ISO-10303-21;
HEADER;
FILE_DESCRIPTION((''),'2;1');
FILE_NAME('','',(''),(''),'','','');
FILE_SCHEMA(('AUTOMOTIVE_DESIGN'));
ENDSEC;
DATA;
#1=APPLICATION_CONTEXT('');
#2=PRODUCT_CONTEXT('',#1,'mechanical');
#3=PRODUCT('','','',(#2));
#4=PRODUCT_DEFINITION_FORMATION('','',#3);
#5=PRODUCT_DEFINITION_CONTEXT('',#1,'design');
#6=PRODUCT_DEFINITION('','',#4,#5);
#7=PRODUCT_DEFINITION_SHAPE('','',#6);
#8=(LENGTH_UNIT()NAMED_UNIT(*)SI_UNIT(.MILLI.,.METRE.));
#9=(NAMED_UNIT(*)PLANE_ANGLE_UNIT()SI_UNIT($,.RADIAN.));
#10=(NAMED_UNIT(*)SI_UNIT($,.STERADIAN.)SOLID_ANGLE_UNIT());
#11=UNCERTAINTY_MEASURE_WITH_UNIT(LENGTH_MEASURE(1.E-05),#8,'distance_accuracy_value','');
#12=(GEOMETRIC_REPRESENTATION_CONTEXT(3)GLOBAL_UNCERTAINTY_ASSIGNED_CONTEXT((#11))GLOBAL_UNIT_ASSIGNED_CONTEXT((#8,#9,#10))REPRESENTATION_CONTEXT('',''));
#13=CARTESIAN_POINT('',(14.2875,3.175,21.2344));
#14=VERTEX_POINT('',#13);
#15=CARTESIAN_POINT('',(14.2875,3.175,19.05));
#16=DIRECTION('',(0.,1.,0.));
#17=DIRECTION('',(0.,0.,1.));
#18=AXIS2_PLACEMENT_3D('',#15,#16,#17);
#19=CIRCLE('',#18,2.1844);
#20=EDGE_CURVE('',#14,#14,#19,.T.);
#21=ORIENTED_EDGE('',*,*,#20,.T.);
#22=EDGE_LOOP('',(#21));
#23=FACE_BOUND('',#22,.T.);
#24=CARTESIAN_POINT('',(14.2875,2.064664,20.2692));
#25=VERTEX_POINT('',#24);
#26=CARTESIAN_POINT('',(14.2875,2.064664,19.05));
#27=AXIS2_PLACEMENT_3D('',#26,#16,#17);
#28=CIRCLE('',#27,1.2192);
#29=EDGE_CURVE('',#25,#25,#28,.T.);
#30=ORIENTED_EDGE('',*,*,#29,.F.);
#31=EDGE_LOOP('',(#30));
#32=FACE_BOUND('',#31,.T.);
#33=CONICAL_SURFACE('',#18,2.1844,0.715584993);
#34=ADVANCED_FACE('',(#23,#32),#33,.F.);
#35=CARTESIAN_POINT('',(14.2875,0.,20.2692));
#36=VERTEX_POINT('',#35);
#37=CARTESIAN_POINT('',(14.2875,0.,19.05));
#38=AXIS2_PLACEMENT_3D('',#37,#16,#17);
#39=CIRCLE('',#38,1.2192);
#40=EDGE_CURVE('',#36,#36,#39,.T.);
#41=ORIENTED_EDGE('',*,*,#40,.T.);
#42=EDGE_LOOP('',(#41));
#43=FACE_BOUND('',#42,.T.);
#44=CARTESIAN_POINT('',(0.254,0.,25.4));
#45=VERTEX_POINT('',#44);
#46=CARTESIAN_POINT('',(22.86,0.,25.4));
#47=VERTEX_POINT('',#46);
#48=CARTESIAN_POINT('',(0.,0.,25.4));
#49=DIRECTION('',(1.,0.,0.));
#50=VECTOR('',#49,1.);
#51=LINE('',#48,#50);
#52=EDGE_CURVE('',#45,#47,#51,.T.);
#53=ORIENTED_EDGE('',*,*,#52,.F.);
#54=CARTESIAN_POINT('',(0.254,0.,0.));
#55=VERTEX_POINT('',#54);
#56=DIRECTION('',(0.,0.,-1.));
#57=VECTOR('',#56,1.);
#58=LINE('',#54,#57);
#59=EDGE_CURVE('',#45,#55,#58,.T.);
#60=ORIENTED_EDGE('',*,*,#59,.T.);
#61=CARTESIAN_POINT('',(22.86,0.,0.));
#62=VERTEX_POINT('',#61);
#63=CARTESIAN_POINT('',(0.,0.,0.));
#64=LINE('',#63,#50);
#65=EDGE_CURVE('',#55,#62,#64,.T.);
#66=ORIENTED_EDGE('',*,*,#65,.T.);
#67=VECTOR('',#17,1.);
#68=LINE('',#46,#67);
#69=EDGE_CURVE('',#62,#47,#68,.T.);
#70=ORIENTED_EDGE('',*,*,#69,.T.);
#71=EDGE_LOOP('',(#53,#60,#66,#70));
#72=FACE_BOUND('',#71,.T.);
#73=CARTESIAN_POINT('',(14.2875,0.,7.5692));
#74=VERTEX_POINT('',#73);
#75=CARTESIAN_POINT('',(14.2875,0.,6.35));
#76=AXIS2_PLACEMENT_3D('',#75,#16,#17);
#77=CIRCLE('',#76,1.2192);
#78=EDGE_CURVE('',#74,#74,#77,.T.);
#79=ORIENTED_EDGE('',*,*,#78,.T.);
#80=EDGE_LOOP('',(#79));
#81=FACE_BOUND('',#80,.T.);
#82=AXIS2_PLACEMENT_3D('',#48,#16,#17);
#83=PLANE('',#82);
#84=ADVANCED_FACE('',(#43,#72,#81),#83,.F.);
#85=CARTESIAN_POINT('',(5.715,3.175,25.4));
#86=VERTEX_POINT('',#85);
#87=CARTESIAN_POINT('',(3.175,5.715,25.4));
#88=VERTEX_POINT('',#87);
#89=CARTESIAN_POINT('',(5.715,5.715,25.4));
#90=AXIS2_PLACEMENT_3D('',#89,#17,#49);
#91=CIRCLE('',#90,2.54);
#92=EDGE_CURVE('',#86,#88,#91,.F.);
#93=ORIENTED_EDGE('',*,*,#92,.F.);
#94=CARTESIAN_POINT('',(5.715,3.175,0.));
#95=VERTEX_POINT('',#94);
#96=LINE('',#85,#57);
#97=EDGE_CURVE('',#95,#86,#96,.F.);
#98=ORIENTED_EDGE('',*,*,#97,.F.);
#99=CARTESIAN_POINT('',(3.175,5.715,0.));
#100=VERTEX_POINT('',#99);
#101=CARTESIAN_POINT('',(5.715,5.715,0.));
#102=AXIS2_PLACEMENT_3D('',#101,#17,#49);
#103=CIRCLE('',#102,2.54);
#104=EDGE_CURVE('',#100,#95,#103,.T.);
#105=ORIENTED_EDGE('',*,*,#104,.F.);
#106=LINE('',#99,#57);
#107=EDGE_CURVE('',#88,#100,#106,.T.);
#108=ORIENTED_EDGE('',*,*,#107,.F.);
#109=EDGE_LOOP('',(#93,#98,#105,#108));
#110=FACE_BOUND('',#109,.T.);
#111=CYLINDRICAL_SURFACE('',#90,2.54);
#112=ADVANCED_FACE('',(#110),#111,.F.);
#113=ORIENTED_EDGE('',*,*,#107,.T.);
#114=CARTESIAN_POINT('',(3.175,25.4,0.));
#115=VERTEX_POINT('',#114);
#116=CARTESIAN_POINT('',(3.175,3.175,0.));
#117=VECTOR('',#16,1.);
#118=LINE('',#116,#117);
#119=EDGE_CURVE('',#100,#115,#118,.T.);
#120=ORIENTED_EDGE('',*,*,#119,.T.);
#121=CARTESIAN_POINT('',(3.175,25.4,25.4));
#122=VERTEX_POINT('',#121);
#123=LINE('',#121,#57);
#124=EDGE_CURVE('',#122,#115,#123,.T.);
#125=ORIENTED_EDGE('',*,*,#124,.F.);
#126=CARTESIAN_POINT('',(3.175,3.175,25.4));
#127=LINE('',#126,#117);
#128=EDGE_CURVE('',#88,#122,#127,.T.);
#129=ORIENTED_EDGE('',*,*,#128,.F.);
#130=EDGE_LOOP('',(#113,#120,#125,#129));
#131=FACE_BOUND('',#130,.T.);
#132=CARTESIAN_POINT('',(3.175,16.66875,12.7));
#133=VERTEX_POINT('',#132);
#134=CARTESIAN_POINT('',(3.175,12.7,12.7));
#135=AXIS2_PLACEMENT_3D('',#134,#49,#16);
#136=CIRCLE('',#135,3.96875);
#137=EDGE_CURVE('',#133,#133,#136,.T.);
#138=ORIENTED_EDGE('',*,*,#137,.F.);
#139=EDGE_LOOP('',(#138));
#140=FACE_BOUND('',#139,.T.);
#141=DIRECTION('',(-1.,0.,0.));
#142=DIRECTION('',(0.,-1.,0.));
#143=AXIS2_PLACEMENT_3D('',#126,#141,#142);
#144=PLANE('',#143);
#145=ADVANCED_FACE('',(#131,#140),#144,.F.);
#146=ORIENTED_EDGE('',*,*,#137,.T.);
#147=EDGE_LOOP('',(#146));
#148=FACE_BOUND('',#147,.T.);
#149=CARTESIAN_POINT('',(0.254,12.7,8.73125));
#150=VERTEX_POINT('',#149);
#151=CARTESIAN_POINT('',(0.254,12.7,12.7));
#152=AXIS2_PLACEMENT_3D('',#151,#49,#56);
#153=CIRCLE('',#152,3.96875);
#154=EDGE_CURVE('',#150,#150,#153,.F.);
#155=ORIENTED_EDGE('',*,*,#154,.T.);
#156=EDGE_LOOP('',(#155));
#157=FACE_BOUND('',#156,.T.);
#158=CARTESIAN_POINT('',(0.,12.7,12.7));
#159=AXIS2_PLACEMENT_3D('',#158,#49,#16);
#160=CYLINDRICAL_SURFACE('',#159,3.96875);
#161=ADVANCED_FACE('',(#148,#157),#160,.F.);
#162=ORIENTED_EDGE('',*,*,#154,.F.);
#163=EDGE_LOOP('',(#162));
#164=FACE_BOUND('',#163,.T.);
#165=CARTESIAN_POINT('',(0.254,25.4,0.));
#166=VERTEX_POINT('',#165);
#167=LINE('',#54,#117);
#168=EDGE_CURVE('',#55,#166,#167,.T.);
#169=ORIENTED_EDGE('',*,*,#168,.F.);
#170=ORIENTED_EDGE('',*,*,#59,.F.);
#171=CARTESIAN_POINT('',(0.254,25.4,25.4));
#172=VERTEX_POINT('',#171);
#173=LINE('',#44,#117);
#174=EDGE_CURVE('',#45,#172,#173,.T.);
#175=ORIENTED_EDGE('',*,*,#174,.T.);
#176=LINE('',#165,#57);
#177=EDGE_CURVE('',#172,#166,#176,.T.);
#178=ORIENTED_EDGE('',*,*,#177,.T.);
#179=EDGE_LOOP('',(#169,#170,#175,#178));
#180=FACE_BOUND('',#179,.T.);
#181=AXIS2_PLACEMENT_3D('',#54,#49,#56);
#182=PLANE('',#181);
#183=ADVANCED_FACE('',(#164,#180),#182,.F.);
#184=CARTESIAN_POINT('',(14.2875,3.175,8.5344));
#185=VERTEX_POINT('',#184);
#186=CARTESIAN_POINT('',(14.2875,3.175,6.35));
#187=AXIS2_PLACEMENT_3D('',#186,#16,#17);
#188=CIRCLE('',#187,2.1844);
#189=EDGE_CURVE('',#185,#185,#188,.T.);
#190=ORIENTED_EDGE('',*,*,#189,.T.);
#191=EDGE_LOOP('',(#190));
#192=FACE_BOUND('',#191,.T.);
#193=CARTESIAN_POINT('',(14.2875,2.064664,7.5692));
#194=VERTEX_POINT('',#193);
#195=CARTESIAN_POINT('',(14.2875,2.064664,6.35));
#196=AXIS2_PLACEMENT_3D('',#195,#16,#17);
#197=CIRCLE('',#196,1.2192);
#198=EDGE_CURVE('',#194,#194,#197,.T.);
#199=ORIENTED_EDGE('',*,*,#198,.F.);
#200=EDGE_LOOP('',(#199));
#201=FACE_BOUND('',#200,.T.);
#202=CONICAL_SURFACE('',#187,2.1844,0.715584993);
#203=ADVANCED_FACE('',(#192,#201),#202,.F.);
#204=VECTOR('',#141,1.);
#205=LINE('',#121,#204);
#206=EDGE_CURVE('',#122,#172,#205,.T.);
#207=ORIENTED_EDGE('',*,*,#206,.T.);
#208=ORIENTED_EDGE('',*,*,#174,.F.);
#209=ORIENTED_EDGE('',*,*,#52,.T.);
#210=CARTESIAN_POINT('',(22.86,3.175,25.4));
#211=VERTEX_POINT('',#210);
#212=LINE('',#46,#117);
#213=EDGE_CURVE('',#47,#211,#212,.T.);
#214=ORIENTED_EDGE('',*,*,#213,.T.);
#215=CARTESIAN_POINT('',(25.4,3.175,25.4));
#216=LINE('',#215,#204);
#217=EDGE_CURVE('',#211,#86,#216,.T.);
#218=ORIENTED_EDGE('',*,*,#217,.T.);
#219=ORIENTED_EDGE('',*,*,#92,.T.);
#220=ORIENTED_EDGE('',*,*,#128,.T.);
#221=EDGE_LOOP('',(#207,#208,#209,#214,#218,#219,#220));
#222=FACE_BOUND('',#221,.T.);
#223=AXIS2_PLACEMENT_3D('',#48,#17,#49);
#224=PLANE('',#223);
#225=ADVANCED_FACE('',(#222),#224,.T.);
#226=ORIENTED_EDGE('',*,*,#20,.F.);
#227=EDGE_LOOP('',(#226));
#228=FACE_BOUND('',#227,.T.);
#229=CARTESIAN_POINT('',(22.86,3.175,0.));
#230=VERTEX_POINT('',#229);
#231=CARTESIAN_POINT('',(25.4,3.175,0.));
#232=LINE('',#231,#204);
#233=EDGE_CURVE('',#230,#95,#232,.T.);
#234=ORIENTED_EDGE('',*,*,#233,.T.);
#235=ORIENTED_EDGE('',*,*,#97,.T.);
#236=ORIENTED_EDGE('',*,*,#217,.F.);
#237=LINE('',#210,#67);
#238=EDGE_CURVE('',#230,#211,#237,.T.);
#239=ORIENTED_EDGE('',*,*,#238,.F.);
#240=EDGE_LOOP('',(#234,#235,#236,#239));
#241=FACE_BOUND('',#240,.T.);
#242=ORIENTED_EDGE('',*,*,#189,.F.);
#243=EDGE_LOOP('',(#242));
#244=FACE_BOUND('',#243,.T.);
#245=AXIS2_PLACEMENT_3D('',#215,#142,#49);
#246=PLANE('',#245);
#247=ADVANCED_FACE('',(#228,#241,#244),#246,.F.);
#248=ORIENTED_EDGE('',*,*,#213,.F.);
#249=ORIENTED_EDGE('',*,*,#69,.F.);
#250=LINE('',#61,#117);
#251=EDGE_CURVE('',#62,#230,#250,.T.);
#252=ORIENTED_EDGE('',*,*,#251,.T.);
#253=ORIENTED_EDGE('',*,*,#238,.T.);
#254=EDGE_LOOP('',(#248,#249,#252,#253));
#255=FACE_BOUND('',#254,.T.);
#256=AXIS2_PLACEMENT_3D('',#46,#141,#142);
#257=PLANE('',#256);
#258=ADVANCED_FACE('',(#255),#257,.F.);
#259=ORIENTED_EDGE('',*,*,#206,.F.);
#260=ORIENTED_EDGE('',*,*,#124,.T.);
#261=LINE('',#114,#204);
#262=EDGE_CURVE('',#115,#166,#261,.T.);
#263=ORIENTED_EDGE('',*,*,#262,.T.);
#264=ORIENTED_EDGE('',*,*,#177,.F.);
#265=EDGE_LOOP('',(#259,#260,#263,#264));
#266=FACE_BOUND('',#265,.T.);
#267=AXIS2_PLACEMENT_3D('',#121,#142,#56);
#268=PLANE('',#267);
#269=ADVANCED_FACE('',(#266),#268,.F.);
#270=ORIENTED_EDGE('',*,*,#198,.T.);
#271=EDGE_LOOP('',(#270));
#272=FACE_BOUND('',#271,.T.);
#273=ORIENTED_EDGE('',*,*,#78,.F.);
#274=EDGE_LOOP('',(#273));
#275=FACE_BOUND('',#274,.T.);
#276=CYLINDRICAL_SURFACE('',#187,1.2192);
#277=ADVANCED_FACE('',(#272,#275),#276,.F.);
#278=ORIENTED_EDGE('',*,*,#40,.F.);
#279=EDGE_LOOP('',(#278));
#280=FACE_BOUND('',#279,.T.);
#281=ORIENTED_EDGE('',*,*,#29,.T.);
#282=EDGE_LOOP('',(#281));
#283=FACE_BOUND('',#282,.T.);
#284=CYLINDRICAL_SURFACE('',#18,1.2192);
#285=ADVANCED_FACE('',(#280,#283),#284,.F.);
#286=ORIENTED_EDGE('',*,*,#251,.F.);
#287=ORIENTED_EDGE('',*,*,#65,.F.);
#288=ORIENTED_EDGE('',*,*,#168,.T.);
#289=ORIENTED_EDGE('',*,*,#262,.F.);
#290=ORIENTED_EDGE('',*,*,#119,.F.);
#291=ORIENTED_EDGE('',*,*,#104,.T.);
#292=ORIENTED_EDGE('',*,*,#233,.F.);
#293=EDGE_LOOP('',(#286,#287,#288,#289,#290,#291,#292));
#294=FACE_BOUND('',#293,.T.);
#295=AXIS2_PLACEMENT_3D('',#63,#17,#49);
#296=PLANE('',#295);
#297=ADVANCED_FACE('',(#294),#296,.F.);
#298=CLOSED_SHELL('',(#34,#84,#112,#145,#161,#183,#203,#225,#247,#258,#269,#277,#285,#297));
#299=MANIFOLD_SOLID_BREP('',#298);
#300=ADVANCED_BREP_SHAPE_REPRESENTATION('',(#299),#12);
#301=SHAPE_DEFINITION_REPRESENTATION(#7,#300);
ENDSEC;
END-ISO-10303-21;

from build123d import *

# Parameters (mm, degrees)
BOSS_EXTRUDE1_DEPTH                            = 25.4
SKETCH5_R                                      = 3.96875
CUT_EXTRUDE2_DEPTH                             = 4.175
CSK_FOR_2_FLAT_HEAD_MACHINE_SCREW1_D           = 2.4384
CSK_FOR_2_FLAT_HEAD_MACHINE_SCREW1_DEPTH       = 3.175
CSK_FOR_2_FLAT_HEAD_MACHINE_SCREW1_CSINK_D     = 4.3688
CSK_FOR_2_FLAT_HEAD_MACHINE_SCREW1_CSINK_ANGLE = 82
SKETCH9_W                                      = 2.54
SKETCH9_H                                      = 25.4
CUT_EXTRUDE3_DEPTH                             = 4.175
FILLET1_R                                      = 2.54
SKETCH10_W                                     = 0.254
SKETCH10_H                                     = 25.4
CUT_EXTRUDE4_DEPTH                             = 26.4


with BuildPart() as part:
    # Sketch1 → Boss-Extrude1 (new body)
    with BuildSketch(Plane.XY):
        Polygon((0, 0), (25.4, 0), (25.4, 3.175), (3.175, 3.175), (3.175, 25.4), (0, 25.4), align=None)
    extrude(amount=BOSS_EXTRUDE1_DEPTH)

    # Sketch5 → Cut-Extrude2 (cut, through all)
    with BuildSketch(Plane(origin=(3.175, 0, 0), x_dir=(0, 0, -1), z_dir=(1, 0, 0))):
        with Locations((-12.7, 12.7)):
            Circle(SKETCH5_R)
    extrude(amount=-CUT_EXTRUDE2_DEPTH, mode=Mode.SUBTRACT)

    # CSK for #2 Flat Head Machine Screw1
    with Locations(Plane(origin=(0, 3.175, 0), x_dir=(1, 0, 0), z_dir=(0, 1, 0))):
        with Locations((14.2875, -19.05), (14.2875, -6.35)):
            CounterSinkHole(CSK_FOR_2_FLAT_HEAD_MACHINE_SCREW1_D / 2, CSK_FOR_2_FLAT_HEAD_MACHINE_SCREW1_CSINK_D / 2, depth=CSK_FOR_2_FLAT_HEAD_MACHINE_SCREW1_DEPTH, counter_sink_angle=CSK_FOR_2_FLAT_HEAD_MACHINE_SCREW1_CSINK_ANGLE)

    # Sketch9 → Cut-Extrude3 (cut, through all)
    with BuildSketch(Plane(origin=(0, 3.175, 0), x_dir=(1, 0, 0), z_dir=(0, 1, 0))):
        with Locations((24.13, -12.7)):
            Rectangle(SKETCH9_W, SKETCH9_H)
    extrude(amount=-CUT_EXTRUDE3_DEPTH, mode=Mode.SUBTRACT)

    # Fillet1
    fillet1_edges = [part.edges().sort_by_distance(p)[0] for p in [
        (3.175, 3.175, 12.7),
    ]]
    fillet(fillet1_edges, radius=FILLET1_R)

    # Sketch10 → Cut-Extrude4 (cut, through all)
    with BuildSketch(Plane(origin=(0, 25.4, 0), x_dir=(1, 0, 0), z_dir=(0, 1, 0))):
        with Locations((0.127, -12.7)):
            Rectangle(SKETCH10_W, SKETCH10_H)
    extrude(amount=-CUT_EXTRUDE4_DEPTH, mode=Mode.SUBTRACT)


solid = part.part
